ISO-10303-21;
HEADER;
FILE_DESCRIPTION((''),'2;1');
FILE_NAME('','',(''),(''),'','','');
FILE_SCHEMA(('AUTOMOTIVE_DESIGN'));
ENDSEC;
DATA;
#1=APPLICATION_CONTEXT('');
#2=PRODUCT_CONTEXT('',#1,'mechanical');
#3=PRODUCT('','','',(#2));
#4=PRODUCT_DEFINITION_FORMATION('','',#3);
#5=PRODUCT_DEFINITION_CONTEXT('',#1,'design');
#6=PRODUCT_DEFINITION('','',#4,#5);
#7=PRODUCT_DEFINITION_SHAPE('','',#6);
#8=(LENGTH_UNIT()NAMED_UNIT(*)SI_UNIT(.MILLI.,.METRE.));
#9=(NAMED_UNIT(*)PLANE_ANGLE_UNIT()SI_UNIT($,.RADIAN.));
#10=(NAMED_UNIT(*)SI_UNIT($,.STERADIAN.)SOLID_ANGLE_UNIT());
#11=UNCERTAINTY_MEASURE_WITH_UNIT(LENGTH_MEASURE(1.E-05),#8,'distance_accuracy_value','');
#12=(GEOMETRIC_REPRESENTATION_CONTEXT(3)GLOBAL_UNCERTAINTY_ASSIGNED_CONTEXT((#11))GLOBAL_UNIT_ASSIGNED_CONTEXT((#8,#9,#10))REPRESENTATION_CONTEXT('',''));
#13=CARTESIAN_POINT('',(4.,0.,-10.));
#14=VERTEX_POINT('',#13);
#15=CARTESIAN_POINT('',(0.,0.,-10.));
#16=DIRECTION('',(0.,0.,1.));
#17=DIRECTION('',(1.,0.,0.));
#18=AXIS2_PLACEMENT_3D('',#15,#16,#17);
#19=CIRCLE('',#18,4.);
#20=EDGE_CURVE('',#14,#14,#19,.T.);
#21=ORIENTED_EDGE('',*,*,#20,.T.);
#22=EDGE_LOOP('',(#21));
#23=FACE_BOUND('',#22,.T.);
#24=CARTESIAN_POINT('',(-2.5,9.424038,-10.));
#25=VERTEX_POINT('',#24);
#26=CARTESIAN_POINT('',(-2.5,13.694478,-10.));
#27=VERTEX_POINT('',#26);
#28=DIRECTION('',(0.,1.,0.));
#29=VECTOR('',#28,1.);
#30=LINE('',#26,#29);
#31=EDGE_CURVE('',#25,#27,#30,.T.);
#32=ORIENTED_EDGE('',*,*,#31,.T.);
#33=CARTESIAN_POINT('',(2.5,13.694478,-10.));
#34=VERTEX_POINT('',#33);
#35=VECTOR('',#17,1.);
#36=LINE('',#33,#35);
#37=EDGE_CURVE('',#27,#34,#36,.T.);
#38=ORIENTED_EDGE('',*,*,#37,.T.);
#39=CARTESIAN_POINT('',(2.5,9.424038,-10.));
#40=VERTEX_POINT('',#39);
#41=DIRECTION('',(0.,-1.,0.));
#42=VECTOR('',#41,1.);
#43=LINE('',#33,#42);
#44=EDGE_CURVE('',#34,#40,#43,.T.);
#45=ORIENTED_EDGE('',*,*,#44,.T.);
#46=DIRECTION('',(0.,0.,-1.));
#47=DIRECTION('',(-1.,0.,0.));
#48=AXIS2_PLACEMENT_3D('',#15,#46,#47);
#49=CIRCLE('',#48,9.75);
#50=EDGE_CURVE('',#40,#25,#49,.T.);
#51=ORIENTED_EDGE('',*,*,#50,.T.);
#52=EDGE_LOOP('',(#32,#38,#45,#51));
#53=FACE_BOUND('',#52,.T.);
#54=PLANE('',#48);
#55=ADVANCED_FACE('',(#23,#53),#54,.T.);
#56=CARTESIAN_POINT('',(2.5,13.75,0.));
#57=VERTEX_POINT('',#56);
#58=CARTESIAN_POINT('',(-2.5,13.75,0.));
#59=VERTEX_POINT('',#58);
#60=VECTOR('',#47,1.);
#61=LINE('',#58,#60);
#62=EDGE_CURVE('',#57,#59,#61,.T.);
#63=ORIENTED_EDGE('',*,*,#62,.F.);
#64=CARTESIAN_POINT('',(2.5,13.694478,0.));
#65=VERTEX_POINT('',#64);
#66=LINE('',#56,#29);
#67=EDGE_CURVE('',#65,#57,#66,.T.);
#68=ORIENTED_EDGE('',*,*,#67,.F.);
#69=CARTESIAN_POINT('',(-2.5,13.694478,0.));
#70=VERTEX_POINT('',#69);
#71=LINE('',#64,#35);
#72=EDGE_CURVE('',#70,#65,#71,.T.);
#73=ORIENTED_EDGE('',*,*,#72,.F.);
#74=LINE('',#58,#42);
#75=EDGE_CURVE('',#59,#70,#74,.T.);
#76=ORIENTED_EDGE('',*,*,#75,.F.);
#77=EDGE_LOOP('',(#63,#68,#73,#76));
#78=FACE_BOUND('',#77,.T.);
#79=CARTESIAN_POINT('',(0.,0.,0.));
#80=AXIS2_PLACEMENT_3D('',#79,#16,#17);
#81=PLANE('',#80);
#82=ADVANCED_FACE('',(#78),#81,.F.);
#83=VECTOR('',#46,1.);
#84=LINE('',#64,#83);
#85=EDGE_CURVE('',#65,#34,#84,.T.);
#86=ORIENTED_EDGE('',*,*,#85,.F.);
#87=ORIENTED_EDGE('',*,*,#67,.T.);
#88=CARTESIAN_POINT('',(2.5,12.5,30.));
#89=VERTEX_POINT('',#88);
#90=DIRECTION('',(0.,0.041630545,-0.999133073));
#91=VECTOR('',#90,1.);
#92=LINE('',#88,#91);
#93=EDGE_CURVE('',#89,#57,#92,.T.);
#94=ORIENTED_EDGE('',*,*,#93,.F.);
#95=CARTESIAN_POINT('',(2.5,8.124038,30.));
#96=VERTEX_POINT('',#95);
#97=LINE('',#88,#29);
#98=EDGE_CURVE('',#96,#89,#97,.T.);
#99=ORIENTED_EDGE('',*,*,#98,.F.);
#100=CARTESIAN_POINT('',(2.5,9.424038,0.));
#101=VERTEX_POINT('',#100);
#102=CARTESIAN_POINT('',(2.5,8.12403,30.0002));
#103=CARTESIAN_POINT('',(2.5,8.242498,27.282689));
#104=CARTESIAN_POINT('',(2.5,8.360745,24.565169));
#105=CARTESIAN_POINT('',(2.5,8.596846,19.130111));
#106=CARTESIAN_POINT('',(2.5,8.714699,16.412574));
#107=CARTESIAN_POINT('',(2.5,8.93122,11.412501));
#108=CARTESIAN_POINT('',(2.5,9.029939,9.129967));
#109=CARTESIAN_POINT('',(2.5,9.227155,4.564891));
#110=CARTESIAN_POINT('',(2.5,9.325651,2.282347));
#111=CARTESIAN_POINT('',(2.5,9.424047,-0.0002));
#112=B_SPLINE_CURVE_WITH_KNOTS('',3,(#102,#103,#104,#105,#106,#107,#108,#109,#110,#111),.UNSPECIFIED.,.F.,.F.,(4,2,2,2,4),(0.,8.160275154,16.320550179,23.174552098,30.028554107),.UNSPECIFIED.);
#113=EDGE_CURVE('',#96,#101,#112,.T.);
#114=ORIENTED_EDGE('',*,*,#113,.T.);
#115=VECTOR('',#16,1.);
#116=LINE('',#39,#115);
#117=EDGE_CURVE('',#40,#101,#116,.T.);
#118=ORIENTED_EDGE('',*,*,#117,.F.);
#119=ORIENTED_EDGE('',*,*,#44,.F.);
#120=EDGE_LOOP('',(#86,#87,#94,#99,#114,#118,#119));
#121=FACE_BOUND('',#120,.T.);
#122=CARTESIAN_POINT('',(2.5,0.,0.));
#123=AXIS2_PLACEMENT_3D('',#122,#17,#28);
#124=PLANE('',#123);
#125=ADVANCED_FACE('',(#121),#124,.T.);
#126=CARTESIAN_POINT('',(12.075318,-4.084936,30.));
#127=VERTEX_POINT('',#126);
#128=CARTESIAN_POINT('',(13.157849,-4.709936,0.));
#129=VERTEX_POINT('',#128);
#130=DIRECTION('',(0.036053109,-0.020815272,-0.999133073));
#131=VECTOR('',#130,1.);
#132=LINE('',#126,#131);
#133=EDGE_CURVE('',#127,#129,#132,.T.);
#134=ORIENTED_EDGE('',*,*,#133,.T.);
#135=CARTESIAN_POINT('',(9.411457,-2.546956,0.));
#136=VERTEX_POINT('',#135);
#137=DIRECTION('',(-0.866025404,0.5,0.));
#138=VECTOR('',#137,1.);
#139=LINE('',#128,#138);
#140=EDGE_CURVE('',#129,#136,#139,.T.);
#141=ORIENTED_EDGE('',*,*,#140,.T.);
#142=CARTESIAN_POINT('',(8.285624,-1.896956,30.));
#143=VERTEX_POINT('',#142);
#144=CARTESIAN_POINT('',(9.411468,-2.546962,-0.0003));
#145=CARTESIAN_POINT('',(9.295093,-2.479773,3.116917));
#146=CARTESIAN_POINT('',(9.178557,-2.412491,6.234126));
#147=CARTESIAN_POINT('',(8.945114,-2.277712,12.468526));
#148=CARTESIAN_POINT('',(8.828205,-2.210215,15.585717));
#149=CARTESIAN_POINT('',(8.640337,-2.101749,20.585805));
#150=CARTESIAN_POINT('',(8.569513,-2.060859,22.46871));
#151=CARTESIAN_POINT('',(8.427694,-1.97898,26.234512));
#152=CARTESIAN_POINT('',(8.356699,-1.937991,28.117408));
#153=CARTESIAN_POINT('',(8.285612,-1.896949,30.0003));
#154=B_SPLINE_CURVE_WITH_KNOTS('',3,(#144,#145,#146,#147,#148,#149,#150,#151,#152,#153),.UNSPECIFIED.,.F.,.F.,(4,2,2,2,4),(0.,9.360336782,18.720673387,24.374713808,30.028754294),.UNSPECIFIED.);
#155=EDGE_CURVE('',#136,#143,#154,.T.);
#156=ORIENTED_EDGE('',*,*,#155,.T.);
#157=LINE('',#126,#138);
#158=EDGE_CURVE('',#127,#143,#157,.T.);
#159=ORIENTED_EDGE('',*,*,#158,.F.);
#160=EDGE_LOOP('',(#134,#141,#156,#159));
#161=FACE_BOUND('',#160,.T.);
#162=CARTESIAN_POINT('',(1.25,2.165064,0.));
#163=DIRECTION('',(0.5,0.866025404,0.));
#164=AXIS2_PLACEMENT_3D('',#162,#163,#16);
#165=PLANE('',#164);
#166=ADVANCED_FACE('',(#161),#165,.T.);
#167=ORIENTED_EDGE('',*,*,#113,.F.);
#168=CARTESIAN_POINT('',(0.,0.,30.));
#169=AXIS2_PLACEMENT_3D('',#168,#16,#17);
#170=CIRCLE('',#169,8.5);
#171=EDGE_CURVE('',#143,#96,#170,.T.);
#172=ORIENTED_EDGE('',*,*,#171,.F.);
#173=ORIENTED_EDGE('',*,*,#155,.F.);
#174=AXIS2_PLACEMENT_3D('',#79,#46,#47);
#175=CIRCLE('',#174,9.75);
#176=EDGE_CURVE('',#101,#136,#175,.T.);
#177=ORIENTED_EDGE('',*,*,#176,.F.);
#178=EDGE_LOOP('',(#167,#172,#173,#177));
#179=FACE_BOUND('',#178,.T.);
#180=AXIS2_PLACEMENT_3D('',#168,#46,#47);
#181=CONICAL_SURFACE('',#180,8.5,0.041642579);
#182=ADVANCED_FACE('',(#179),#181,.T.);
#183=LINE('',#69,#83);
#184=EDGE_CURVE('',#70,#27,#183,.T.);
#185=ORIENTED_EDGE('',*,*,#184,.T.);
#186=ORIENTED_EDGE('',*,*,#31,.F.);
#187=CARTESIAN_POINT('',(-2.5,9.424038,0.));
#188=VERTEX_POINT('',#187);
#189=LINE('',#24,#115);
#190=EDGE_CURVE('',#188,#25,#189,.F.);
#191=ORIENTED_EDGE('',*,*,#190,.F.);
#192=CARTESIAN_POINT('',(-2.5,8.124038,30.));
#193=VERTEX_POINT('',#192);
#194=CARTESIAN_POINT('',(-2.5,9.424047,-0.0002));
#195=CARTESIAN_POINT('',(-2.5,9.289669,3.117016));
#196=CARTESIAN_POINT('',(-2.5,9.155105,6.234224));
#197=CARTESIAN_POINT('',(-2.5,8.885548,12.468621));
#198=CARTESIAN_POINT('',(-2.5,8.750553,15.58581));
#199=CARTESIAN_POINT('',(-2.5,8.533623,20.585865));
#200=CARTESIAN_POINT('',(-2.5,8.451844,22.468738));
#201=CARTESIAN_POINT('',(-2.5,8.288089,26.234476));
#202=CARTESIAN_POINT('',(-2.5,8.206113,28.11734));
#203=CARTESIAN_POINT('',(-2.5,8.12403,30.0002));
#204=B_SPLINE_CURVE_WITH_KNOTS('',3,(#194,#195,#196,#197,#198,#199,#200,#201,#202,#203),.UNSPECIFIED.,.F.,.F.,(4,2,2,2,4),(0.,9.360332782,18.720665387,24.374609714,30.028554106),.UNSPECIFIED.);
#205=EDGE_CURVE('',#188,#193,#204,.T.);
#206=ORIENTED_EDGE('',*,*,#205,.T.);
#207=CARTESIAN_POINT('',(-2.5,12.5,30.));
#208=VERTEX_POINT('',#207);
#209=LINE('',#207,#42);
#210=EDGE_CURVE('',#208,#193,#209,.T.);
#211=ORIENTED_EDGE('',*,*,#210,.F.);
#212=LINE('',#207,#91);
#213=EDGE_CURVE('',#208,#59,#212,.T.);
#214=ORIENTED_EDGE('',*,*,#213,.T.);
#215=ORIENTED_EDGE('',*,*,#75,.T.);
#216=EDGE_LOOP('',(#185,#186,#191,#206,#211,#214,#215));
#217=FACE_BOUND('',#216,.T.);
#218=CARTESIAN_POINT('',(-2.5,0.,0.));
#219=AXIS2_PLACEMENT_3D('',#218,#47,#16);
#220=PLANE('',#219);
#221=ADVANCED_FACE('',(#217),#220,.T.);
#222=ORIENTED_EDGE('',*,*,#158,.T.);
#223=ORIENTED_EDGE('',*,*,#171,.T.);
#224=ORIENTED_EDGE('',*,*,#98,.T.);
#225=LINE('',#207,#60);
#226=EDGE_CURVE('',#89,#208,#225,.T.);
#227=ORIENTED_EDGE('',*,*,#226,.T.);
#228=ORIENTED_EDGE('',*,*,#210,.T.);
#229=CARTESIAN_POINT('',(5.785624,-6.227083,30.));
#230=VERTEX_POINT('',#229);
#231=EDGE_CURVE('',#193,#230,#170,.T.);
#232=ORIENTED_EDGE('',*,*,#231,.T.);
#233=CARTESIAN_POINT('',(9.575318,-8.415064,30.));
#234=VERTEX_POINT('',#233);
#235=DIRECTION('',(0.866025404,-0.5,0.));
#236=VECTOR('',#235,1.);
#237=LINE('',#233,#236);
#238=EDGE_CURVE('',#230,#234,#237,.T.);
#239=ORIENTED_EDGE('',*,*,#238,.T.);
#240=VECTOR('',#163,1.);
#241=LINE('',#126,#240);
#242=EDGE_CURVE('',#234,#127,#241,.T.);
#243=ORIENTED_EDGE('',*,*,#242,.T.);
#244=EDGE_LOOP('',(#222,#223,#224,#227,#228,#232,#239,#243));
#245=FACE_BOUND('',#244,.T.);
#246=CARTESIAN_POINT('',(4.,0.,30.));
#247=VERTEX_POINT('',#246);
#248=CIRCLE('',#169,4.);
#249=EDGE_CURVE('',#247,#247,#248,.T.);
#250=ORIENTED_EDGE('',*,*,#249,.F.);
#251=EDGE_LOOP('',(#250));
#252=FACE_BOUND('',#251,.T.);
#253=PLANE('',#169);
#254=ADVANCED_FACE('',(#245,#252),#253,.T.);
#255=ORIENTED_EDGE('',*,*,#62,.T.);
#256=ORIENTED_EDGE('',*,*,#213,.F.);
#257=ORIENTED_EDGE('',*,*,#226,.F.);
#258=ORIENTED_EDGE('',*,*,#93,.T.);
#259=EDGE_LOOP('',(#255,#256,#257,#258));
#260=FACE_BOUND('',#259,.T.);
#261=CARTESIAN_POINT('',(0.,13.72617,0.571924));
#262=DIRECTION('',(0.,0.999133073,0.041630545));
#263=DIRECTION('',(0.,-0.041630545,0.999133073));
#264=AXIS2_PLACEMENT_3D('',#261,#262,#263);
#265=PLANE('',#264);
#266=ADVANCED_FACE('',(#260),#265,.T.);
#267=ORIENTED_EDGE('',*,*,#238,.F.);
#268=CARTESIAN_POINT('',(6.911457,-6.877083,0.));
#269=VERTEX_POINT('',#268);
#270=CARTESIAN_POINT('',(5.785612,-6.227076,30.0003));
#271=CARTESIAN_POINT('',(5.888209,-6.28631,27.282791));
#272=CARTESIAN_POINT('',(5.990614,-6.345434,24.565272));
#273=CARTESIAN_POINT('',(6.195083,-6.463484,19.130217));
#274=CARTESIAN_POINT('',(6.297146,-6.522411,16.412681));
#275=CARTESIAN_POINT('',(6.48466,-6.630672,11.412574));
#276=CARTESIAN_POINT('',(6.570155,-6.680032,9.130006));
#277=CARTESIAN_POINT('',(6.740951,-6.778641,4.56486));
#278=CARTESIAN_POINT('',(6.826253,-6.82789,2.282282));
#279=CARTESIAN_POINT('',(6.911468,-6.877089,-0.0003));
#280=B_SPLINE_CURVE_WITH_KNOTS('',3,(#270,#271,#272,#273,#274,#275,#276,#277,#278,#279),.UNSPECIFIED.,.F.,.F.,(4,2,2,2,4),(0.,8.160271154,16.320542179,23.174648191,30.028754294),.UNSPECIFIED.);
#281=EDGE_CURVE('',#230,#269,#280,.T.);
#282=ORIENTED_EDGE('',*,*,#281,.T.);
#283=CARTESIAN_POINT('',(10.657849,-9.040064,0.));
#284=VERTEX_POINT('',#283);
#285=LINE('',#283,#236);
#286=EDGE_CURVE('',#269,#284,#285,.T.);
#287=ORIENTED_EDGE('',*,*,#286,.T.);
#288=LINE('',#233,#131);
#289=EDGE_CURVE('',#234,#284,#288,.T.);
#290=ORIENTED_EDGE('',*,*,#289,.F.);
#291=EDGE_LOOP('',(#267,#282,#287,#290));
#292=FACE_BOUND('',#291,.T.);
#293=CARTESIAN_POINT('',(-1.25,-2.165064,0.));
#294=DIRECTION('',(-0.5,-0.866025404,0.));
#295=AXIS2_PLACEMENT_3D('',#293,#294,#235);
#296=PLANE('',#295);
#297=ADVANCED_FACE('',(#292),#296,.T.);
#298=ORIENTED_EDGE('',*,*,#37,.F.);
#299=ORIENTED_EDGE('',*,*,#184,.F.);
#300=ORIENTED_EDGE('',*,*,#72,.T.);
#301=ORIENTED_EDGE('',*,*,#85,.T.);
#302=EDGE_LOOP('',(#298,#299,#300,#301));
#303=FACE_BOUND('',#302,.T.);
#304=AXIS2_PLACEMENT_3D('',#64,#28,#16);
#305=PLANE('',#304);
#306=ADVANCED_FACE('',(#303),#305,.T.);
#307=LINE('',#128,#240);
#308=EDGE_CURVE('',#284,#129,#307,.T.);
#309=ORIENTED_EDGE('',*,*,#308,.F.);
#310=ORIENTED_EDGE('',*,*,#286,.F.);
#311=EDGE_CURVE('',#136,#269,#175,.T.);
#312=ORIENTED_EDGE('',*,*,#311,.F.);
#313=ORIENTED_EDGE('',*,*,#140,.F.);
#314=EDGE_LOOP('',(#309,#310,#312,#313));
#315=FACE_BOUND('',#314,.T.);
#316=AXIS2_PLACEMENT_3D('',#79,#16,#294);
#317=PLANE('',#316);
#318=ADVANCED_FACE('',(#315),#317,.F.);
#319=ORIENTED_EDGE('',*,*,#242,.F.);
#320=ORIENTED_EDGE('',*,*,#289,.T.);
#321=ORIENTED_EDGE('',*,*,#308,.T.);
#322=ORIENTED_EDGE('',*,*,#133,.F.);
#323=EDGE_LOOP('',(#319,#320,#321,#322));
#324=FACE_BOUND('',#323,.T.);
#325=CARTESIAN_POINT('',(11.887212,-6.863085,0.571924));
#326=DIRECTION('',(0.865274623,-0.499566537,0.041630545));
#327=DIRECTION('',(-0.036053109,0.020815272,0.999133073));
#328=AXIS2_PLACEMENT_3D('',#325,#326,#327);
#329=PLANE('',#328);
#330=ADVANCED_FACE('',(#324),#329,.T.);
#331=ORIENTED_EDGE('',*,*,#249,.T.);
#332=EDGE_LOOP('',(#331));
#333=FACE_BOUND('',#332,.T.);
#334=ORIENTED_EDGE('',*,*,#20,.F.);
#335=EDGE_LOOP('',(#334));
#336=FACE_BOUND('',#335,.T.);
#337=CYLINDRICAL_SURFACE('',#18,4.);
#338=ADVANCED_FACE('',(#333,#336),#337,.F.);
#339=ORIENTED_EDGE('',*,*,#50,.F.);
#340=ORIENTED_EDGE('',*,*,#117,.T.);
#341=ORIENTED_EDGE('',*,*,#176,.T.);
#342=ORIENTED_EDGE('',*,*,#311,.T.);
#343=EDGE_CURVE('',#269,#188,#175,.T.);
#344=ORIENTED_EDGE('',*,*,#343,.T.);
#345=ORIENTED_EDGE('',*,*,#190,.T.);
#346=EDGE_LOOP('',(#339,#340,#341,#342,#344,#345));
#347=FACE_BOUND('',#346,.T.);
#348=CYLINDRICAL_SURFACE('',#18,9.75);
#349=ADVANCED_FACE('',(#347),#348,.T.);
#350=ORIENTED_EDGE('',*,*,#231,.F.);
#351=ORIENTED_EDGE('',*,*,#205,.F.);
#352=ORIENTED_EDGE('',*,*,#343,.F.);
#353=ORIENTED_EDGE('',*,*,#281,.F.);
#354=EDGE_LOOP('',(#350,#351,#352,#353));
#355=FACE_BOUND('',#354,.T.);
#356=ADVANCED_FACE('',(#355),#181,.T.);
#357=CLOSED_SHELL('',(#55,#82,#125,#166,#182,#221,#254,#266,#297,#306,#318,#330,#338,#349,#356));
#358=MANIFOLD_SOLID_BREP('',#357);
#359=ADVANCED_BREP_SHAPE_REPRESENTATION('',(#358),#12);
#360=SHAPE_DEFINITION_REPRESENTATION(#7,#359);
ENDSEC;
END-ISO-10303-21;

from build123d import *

# Parameters (mm, degrees)
SKETCH1_R           = 8.5
SKETCH1_R_2         = 4
BOSS_EXTRUDE1_DEPTH = 30
SKETCH2_R           = 9.75
BOSS_EXTRUDE2_DEPTH = 10
SKETCH4_R           = 4
CUT_EXTRUDE1_DEPTH  = 40
SKETCH6_W           = 5
SKETCH6_H           = 6.142281657
SKETCH5_W           = 5
SKETCH5_H           = 5.134988922
CIRPATTERN1_COUNT   = 2
CIRPATTERN1_ANGLE   = 240
SKETCH7_W           = 5
SKETCH7_H           = 5.55011225
BOSS_EXTRUDE3_DEPTH = 10


with BuildPart() as part:
    # Sketch1 → Boss-Extrude1 (new body)
    with BuildSketch(Plane.XY):
        Circle(SKETCH1_R)
        Circle(SKETCH1_R_2, mode=Mode.SUBTRACT)
    extrude(amount=BOSS_EXTRUDE1_DEPTH)

    # Sketch2 → Boss-Extrude2 (add)
    with BuildSketch(Plane(origin=(0, 0, 0), x_dir=(-1, 0, 0), z_dir=(0, 0, -1))):
        Circle(SKETCH2_R)
    extrude(amount=BOSS_EXTRUDE2_DEPTH)

    # loft up to a face of the part (loft4)
    loft([Face(Wire([part.edges().sort_by_distance((-5.8186504, 6.196233333, 30))[0]])), Face(Wire([part.edges().sort_by_distance((6.674334283, -7.107444117, 0))[0]]))])

    # Sketch4 → Cut-Extrude1 (cut)
    with BuildSketch(Plane.XY.offset(30)):
        Circle(SKETCH4_R)
    extrude(amount=-CUT_EXTRUDE1_DEPTH, mode=Mode.SUBTRACT)

    # Sketch6 → Loft5 section 0
    with BuildSketch(Plane.XY.offset(30)):
        with Locations((0, 9.428859172)):
            Rectangle(SKETCH6_W, SKETCH6_H)
    # Sketch5 → Loft5 section 1
    with BuildSketch(Plane.XY):
        with Locations((0, 11.182505539)):
            Rectangle(SKETCH5_W, SKETCH5_H)
    loft5 = loft()

    # CirPattern1: Loft5 ×2 about axis
    cirpattern1_axis = Axis((0, 0, 0), (0, 0, 1))
    for i in range(1, CIRPATTERN1_COUNT):
        add(loft5.rotate(cirpattern1_axis, i * CIRPATTERN1_ANGLE / (CIRPATTERN1_COUNT - 1)))

    # Sketch7 → Boss-Extrude3 (add)
    with BuildSketch(Plane(origin=(0, 0, -10), x_dir=(-1, 0, 0), z_dir=(0, 0, -1))):
        with Locations((0, 10.919421432)):
            Rectangle(SKETCH7_W, SKETCH7_H)
    extrude(amount=-BOSS_EXTRUDE3_DEPTH)


solid = part.part
